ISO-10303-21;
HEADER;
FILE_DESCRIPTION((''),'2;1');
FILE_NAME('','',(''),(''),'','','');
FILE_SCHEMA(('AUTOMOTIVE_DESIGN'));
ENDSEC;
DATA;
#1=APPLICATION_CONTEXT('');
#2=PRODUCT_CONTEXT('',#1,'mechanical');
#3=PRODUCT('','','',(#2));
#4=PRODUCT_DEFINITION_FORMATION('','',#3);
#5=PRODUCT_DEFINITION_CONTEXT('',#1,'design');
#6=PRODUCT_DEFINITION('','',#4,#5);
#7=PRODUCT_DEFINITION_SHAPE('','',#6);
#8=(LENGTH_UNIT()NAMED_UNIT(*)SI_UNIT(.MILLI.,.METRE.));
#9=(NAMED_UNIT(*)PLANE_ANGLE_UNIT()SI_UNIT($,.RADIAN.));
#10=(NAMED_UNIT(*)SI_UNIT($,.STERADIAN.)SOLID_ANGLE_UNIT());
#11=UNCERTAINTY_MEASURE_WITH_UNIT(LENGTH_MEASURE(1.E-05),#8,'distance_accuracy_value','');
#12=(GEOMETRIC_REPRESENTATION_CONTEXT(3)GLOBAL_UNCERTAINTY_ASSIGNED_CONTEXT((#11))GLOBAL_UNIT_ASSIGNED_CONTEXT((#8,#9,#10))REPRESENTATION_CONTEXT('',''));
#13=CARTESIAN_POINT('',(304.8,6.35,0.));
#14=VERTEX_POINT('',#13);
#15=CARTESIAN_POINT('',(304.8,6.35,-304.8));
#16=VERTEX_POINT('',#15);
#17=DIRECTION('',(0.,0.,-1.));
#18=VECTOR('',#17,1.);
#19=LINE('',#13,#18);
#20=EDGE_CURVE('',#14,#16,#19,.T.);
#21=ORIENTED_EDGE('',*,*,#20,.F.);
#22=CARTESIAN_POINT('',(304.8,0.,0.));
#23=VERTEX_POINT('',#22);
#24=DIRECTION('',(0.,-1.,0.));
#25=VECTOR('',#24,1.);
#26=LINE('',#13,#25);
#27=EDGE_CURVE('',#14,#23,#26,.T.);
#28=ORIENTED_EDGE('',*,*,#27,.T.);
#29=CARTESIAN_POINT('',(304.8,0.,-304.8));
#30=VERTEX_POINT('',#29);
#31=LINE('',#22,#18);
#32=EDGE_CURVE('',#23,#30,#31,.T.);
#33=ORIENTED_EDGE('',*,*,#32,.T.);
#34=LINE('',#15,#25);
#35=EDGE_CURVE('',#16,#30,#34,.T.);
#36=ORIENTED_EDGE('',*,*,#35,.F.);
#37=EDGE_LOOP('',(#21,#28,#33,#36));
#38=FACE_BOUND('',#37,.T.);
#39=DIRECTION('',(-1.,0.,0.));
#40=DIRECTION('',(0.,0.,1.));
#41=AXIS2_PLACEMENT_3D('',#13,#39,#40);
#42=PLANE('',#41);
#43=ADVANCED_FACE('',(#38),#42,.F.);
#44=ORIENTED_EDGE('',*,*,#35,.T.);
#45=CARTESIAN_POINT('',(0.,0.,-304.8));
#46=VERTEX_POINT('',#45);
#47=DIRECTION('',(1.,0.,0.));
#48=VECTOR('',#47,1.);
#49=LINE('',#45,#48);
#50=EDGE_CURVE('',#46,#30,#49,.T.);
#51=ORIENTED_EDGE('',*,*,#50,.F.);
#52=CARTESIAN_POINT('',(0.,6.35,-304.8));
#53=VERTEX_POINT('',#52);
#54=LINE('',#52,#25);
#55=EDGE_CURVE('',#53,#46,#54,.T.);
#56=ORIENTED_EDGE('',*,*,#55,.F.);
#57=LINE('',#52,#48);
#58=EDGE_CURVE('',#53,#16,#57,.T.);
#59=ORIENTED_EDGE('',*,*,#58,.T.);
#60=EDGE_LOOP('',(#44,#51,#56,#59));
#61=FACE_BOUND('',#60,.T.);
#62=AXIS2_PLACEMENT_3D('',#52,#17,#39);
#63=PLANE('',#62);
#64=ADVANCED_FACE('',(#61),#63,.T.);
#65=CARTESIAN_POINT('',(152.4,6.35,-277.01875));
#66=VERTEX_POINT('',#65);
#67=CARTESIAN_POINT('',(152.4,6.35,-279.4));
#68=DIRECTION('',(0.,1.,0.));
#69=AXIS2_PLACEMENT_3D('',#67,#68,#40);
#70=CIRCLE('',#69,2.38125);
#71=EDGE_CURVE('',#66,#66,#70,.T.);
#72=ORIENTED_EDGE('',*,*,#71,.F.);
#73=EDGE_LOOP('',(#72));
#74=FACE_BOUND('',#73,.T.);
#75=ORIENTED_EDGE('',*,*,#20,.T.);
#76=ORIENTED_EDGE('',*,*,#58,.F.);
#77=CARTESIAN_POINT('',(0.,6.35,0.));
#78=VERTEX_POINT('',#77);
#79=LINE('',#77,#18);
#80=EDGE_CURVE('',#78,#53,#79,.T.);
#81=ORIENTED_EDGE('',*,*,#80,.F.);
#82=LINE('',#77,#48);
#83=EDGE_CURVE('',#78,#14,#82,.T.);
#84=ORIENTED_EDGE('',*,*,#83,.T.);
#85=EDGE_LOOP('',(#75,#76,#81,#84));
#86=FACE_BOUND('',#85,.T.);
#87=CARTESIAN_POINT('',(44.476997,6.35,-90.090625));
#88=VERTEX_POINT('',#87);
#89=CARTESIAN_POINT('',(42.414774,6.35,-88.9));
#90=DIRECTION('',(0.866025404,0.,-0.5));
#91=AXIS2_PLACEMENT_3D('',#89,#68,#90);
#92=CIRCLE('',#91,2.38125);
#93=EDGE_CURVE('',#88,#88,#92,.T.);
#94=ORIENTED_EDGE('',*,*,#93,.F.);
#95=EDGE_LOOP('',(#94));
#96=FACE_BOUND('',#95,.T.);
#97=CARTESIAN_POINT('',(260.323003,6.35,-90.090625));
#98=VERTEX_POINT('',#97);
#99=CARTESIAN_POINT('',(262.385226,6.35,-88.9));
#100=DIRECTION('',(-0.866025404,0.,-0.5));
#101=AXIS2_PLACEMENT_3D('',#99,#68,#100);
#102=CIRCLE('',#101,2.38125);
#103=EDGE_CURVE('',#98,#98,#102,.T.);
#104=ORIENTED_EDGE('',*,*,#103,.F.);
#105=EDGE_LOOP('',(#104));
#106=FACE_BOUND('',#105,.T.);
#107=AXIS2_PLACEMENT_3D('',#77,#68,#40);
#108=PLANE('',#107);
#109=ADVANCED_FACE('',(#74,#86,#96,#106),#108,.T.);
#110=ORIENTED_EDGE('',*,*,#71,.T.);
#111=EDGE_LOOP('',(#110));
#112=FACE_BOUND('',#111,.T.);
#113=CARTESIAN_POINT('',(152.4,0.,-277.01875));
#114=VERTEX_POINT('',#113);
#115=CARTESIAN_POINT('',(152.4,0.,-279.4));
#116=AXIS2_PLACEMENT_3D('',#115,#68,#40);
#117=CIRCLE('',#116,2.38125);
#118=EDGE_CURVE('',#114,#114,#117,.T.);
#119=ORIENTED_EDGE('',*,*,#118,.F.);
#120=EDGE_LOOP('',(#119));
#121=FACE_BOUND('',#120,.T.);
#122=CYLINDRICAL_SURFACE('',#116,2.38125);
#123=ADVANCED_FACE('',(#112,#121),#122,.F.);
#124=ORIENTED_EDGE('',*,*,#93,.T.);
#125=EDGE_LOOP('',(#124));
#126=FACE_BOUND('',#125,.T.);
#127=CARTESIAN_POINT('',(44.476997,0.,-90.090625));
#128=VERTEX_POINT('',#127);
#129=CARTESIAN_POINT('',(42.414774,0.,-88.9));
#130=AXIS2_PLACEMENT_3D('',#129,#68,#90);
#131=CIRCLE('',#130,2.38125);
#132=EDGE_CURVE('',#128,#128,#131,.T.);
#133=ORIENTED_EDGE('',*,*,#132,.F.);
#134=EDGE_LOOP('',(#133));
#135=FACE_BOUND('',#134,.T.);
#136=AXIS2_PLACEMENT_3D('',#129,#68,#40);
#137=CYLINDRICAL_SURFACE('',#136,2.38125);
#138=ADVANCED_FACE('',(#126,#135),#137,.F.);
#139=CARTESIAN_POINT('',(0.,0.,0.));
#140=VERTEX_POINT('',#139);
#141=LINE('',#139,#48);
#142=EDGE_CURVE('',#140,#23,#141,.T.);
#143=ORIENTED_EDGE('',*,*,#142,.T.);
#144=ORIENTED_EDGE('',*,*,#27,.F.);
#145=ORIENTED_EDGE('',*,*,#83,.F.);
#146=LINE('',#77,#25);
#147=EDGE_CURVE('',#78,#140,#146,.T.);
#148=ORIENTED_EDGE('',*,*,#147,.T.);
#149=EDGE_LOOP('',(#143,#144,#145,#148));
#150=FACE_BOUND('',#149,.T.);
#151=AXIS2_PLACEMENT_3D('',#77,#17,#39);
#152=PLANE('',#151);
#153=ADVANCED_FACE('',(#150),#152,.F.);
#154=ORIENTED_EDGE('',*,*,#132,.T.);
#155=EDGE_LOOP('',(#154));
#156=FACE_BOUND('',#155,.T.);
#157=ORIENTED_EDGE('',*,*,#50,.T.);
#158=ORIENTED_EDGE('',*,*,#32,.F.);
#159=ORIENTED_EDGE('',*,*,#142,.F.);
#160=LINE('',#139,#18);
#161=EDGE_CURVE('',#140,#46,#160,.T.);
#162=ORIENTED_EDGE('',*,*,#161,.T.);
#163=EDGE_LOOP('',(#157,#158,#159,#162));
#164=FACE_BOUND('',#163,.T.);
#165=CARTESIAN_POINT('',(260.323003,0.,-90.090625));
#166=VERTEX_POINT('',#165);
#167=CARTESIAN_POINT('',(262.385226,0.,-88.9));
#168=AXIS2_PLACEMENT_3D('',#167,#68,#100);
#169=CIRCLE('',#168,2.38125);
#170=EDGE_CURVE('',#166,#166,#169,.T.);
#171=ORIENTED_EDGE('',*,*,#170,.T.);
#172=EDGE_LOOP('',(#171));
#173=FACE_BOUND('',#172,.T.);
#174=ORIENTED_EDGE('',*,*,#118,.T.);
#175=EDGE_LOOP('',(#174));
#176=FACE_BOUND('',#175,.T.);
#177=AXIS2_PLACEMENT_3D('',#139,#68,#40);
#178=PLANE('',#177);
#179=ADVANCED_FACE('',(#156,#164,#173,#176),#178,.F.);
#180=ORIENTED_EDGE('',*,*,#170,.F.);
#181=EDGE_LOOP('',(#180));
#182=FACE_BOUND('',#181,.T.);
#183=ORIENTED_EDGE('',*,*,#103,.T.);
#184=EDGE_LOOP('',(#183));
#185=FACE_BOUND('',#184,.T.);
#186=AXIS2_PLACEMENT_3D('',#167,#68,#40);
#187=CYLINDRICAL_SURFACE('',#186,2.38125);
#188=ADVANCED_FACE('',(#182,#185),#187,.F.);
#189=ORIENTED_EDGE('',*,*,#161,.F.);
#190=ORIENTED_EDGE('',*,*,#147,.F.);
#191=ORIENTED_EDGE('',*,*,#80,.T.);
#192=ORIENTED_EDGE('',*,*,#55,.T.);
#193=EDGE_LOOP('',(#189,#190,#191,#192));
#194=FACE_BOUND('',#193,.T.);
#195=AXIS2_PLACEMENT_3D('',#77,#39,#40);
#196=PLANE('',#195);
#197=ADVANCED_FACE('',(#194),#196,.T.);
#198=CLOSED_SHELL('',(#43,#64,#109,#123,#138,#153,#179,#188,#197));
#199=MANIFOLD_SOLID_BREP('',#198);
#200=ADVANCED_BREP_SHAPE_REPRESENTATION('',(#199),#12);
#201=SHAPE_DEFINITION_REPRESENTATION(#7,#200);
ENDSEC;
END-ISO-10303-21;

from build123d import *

# Parameters (mm, degrees)
SKETCH1_W           = 304.8
SKETCH1_H           = 304.8
BOSS_EXTRUDE1_DEPTH = 6.35
SKETCH2_R           = 2.38125
CUT_EXTRUDE1_DEPTH  = 6.35
CIRPATTERN1_COUNT   = 3


with BuildPart() as part:
    # Sketch1 → Boss-Extrude1 (new body)
    with BuildSketch(Plane(origin=(0, 0, 0), x_dir=(1, 0, 0), z_dir=(0, 1, 0))):
        with Locations((152.4, 152.4)):
            Rectangle(SKETCH1_W, SKETCH1_H)
    extrude(amount=BOSS_EXTRUDE1_DEPTH)

    # Sketch2 → Cut-Extrude1 (cut)
    with BuildSketch(Plane(origin=(0, 6.35, 0), x_dir=(1, 0, 0), z_dir=(0, 1, 0))):
        with Locations((152.4, 279.4)):
            Circle(SKETCH2_R)
    cut_extrude1 = extrude(amount=-CUT_EXTRUDE1_DEPTH, mode=Mode.SUBTRACT)

    # CirPattern1: Cut-Extrude1 ×3 about axis
    cirpattern1_axis = Axis((152.4, -0.3175, -152.4), (0, 1, 0))
    for i in range(1, CIRPATTERN1_COUNT):
        add(cut_extrude1.rotate(cirpattern1_axis, i * 360 / CIRPATTERN1_COUNT), mode=Mode.SUBTRACT)


solid = part.part
